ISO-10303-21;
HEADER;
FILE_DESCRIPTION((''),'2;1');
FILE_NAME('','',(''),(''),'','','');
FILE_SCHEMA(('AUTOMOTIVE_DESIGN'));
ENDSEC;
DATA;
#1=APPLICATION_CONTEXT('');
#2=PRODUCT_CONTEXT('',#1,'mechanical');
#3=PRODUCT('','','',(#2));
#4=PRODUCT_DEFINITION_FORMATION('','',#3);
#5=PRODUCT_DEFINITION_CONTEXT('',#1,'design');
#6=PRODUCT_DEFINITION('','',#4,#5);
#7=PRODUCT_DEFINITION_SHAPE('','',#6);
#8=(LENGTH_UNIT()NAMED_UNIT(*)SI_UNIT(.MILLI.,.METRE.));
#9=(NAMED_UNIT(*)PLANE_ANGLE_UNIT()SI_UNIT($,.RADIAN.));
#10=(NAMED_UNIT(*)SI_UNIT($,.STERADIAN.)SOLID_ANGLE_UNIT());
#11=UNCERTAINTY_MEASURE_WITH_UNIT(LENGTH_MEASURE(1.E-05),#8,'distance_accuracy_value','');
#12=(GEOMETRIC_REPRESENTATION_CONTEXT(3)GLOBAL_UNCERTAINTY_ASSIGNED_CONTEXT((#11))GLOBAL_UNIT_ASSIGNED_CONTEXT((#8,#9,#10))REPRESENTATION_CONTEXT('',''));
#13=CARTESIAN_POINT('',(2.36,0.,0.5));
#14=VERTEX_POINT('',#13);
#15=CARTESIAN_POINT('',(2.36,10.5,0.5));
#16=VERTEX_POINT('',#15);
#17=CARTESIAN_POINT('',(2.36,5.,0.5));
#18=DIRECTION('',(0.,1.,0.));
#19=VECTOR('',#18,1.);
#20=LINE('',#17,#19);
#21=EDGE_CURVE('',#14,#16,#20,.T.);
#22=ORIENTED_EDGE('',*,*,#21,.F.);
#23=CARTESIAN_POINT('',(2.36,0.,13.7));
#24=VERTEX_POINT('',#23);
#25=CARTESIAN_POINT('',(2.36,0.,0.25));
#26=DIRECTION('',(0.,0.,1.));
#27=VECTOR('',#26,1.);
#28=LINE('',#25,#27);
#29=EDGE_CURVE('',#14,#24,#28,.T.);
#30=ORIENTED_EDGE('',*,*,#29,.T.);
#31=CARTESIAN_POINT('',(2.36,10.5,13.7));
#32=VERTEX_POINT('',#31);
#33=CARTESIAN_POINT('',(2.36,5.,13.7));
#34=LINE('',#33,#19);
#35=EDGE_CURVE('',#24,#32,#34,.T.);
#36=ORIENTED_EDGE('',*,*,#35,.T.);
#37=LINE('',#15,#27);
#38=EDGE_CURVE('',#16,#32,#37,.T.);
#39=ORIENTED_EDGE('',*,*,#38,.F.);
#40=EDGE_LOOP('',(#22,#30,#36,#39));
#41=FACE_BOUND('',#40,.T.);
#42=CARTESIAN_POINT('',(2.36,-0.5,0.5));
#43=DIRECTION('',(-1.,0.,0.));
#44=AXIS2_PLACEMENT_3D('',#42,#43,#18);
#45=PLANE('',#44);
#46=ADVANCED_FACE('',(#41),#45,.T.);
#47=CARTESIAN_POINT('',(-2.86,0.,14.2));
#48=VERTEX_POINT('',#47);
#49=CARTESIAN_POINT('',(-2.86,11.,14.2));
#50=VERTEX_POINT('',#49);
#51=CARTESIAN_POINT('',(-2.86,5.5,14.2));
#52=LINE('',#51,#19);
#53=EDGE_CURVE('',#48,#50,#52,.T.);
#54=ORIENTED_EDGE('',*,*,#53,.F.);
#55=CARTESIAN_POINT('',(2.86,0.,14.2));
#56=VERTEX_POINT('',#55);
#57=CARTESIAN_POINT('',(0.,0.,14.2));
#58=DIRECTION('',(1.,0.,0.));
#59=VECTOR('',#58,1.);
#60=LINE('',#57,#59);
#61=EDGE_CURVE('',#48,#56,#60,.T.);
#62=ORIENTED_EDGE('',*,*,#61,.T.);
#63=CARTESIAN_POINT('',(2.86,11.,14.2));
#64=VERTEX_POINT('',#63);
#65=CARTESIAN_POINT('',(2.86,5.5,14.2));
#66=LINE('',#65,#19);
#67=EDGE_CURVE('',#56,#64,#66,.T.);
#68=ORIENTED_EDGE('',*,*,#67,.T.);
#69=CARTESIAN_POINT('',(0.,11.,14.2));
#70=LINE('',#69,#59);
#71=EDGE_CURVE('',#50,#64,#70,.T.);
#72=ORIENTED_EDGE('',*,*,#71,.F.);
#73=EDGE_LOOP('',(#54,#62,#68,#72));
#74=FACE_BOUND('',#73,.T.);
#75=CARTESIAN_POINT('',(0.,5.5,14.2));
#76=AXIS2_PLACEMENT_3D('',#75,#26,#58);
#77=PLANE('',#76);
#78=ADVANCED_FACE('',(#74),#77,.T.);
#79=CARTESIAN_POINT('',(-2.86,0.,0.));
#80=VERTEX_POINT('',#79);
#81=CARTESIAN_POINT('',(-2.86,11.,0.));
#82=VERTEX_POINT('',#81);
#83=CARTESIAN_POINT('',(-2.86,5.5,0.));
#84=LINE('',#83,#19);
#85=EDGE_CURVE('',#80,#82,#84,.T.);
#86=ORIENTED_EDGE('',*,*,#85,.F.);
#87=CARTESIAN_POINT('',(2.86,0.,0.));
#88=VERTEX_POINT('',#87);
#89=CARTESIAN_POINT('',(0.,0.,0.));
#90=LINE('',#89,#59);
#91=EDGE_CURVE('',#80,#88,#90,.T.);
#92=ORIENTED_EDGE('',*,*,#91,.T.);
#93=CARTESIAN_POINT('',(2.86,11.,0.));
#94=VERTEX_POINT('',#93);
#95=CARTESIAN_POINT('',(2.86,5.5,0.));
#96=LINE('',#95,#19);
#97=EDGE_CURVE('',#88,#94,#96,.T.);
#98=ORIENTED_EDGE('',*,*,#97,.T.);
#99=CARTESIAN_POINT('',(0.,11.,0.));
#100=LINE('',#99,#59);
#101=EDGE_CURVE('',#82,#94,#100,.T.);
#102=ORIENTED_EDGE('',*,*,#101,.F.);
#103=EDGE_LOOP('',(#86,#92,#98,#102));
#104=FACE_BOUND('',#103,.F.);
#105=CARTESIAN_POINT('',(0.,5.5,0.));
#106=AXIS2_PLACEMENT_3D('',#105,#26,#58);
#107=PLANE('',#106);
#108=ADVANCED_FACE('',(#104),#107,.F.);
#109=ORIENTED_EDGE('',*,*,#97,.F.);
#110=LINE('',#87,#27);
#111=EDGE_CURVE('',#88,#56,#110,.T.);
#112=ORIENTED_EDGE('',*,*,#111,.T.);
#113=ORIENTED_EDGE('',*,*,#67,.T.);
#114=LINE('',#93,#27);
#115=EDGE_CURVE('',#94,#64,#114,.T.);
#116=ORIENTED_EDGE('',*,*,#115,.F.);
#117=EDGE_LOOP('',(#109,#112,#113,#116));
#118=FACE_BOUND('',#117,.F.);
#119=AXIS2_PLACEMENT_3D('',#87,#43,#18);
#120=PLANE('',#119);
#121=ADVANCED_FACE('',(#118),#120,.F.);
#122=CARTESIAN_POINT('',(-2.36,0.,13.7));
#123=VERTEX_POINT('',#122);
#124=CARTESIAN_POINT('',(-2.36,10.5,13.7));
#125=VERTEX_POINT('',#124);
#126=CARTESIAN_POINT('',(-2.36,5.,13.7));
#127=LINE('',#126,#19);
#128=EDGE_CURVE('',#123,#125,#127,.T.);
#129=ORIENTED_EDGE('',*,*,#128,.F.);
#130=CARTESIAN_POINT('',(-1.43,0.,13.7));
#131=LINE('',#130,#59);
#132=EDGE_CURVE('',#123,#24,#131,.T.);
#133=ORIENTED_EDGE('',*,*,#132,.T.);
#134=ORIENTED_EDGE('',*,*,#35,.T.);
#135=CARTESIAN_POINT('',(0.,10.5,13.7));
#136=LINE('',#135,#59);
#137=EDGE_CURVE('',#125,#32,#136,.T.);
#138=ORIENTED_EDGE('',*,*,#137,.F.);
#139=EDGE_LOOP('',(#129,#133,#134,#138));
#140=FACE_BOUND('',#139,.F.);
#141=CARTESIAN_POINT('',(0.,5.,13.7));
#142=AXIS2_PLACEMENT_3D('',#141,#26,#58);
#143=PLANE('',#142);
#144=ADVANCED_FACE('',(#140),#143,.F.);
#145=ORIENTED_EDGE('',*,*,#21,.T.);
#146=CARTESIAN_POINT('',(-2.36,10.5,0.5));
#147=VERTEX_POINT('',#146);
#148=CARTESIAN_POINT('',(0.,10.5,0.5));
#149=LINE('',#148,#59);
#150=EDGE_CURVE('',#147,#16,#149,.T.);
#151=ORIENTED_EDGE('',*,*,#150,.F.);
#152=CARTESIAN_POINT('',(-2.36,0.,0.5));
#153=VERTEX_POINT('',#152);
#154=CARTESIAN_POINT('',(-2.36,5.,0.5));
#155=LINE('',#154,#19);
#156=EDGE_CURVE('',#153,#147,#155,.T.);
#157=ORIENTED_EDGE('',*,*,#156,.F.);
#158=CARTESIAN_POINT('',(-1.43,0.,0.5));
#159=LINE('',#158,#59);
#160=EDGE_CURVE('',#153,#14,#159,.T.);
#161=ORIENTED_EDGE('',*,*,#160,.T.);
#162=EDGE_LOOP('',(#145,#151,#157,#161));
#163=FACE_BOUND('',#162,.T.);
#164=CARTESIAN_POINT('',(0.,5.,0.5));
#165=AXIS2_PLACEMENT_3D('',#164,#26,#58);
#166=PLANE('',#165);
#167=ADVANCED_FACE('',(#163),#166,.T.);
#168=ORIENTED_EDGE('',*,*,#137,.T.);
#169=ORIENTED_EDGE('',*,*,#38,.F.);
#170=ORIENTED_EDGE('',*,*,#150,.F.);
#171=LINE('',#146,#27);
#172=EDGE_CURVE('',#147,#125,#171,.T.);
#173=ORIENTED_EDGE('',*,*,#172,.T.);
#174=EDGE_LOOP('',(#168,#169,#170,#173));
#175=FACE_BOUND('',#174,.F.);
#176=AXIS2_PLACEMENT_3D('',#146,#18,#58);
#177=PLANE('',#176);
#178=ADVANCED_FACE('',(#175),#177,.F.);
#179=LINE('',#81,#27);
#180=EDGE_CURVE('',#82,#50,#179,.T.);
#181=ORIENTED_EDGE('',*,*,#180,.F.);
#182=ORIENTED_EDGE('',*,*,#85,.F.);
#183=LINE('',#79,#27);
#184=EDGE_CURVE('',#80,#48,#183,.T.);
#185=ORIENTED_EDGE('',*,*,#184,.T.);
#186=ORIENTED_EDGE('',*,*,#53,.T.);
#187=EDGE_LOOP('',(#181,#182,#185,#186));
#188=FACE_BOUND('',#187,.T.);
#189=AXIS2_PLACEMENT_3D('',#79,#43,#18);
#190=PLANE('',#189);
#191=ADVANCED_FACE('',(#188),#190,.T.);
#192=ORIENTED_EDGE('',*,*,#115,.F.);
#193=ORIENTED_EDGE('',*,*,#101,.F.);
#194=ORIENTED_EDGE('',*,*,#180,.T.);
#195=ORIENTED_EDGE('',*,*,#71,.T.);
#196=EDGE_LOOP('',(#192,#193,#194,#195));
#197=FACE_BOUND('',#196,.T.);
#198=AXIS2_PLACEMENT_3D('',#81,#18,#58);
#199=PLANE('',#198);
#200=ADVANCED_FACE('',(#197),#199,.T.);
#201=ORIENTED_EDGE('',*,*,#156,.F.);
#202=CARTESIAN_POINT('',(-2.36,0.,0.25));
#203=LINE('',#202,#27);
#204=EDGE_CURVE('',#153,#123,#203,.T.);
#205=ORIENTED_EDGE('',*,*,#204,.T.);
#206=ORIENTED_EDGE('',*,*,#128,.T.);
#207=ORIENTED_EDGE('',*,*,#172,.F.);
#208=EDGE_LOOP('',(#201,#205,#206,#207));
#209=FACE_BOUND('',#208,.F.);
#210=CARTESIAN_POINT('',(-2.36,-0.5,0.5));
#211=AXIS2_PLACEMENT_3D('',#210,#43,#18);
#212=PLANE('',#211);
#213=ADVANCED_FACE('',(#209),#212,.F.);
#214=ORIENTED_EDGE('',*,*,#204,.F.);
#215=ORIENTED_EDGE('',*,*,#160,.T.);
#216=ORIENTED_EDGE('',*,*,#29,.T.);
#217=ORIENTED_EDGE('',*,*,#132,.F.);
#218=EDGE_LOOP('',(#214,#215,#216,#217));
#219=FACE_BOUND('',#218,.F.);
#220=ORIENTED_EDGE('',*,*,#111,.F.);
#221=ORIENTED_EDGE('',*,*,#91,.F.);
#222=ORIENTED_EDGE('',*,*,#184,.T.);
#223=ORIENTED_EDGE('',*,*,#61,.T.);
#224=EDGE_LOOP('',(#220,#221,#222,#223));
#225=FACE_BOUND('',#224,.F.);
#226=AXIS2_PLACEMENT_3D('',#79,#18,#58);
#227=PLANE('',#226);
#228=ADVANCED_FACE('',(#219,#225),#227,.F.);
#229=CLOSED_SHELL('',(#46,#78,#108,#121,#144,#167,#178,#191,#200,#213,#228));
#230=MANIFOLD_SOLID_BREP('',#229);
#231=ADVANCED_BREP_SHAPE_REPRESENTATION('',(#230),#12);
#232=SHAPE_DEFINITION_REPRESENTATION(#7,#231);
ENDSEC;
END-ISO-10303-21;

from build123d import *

# Parameters (mm, degrees)
CUBE001_W     = 4.72
CUBE001_H     = 11
CUBE001_DEPTH = 13.2
CUBE_W        = 5.72
CUBE_H        = 11
CUBE_DEPTH    = 14.2


with BuildPart() as cube001:
    # cube001 → cube001 (new body)
    with BuildSketch(Plane(origin=(0.5, -0.5, 0.5), x_dir=(1, 0, 0), z_dir=(0, 0, 1))):
        with Locations((2.36, 5.5)):
            Rectangle(CUBE001_W, CUBE001_H)
    extrude(amount=CUBE001_DEPTH)


with BuildPart() as difference:
    # cube → cube (new body)
    with BuildSketch(Plane.XY):
        with Locations((2.86, 5.5)):
            Rectangle(CUBE_W, CUBE_H)
    extrude(amount=CUBE_DEPTH)

    # difference: cut cube001
    add(cube001.part, mode=Mode.SUBTRACT)


with BuildPart() as difference_1:
    # difference placement: moved
    add(difference.part.moved(Location((-2.86, 0, 0))))


solid = difference_1.part
